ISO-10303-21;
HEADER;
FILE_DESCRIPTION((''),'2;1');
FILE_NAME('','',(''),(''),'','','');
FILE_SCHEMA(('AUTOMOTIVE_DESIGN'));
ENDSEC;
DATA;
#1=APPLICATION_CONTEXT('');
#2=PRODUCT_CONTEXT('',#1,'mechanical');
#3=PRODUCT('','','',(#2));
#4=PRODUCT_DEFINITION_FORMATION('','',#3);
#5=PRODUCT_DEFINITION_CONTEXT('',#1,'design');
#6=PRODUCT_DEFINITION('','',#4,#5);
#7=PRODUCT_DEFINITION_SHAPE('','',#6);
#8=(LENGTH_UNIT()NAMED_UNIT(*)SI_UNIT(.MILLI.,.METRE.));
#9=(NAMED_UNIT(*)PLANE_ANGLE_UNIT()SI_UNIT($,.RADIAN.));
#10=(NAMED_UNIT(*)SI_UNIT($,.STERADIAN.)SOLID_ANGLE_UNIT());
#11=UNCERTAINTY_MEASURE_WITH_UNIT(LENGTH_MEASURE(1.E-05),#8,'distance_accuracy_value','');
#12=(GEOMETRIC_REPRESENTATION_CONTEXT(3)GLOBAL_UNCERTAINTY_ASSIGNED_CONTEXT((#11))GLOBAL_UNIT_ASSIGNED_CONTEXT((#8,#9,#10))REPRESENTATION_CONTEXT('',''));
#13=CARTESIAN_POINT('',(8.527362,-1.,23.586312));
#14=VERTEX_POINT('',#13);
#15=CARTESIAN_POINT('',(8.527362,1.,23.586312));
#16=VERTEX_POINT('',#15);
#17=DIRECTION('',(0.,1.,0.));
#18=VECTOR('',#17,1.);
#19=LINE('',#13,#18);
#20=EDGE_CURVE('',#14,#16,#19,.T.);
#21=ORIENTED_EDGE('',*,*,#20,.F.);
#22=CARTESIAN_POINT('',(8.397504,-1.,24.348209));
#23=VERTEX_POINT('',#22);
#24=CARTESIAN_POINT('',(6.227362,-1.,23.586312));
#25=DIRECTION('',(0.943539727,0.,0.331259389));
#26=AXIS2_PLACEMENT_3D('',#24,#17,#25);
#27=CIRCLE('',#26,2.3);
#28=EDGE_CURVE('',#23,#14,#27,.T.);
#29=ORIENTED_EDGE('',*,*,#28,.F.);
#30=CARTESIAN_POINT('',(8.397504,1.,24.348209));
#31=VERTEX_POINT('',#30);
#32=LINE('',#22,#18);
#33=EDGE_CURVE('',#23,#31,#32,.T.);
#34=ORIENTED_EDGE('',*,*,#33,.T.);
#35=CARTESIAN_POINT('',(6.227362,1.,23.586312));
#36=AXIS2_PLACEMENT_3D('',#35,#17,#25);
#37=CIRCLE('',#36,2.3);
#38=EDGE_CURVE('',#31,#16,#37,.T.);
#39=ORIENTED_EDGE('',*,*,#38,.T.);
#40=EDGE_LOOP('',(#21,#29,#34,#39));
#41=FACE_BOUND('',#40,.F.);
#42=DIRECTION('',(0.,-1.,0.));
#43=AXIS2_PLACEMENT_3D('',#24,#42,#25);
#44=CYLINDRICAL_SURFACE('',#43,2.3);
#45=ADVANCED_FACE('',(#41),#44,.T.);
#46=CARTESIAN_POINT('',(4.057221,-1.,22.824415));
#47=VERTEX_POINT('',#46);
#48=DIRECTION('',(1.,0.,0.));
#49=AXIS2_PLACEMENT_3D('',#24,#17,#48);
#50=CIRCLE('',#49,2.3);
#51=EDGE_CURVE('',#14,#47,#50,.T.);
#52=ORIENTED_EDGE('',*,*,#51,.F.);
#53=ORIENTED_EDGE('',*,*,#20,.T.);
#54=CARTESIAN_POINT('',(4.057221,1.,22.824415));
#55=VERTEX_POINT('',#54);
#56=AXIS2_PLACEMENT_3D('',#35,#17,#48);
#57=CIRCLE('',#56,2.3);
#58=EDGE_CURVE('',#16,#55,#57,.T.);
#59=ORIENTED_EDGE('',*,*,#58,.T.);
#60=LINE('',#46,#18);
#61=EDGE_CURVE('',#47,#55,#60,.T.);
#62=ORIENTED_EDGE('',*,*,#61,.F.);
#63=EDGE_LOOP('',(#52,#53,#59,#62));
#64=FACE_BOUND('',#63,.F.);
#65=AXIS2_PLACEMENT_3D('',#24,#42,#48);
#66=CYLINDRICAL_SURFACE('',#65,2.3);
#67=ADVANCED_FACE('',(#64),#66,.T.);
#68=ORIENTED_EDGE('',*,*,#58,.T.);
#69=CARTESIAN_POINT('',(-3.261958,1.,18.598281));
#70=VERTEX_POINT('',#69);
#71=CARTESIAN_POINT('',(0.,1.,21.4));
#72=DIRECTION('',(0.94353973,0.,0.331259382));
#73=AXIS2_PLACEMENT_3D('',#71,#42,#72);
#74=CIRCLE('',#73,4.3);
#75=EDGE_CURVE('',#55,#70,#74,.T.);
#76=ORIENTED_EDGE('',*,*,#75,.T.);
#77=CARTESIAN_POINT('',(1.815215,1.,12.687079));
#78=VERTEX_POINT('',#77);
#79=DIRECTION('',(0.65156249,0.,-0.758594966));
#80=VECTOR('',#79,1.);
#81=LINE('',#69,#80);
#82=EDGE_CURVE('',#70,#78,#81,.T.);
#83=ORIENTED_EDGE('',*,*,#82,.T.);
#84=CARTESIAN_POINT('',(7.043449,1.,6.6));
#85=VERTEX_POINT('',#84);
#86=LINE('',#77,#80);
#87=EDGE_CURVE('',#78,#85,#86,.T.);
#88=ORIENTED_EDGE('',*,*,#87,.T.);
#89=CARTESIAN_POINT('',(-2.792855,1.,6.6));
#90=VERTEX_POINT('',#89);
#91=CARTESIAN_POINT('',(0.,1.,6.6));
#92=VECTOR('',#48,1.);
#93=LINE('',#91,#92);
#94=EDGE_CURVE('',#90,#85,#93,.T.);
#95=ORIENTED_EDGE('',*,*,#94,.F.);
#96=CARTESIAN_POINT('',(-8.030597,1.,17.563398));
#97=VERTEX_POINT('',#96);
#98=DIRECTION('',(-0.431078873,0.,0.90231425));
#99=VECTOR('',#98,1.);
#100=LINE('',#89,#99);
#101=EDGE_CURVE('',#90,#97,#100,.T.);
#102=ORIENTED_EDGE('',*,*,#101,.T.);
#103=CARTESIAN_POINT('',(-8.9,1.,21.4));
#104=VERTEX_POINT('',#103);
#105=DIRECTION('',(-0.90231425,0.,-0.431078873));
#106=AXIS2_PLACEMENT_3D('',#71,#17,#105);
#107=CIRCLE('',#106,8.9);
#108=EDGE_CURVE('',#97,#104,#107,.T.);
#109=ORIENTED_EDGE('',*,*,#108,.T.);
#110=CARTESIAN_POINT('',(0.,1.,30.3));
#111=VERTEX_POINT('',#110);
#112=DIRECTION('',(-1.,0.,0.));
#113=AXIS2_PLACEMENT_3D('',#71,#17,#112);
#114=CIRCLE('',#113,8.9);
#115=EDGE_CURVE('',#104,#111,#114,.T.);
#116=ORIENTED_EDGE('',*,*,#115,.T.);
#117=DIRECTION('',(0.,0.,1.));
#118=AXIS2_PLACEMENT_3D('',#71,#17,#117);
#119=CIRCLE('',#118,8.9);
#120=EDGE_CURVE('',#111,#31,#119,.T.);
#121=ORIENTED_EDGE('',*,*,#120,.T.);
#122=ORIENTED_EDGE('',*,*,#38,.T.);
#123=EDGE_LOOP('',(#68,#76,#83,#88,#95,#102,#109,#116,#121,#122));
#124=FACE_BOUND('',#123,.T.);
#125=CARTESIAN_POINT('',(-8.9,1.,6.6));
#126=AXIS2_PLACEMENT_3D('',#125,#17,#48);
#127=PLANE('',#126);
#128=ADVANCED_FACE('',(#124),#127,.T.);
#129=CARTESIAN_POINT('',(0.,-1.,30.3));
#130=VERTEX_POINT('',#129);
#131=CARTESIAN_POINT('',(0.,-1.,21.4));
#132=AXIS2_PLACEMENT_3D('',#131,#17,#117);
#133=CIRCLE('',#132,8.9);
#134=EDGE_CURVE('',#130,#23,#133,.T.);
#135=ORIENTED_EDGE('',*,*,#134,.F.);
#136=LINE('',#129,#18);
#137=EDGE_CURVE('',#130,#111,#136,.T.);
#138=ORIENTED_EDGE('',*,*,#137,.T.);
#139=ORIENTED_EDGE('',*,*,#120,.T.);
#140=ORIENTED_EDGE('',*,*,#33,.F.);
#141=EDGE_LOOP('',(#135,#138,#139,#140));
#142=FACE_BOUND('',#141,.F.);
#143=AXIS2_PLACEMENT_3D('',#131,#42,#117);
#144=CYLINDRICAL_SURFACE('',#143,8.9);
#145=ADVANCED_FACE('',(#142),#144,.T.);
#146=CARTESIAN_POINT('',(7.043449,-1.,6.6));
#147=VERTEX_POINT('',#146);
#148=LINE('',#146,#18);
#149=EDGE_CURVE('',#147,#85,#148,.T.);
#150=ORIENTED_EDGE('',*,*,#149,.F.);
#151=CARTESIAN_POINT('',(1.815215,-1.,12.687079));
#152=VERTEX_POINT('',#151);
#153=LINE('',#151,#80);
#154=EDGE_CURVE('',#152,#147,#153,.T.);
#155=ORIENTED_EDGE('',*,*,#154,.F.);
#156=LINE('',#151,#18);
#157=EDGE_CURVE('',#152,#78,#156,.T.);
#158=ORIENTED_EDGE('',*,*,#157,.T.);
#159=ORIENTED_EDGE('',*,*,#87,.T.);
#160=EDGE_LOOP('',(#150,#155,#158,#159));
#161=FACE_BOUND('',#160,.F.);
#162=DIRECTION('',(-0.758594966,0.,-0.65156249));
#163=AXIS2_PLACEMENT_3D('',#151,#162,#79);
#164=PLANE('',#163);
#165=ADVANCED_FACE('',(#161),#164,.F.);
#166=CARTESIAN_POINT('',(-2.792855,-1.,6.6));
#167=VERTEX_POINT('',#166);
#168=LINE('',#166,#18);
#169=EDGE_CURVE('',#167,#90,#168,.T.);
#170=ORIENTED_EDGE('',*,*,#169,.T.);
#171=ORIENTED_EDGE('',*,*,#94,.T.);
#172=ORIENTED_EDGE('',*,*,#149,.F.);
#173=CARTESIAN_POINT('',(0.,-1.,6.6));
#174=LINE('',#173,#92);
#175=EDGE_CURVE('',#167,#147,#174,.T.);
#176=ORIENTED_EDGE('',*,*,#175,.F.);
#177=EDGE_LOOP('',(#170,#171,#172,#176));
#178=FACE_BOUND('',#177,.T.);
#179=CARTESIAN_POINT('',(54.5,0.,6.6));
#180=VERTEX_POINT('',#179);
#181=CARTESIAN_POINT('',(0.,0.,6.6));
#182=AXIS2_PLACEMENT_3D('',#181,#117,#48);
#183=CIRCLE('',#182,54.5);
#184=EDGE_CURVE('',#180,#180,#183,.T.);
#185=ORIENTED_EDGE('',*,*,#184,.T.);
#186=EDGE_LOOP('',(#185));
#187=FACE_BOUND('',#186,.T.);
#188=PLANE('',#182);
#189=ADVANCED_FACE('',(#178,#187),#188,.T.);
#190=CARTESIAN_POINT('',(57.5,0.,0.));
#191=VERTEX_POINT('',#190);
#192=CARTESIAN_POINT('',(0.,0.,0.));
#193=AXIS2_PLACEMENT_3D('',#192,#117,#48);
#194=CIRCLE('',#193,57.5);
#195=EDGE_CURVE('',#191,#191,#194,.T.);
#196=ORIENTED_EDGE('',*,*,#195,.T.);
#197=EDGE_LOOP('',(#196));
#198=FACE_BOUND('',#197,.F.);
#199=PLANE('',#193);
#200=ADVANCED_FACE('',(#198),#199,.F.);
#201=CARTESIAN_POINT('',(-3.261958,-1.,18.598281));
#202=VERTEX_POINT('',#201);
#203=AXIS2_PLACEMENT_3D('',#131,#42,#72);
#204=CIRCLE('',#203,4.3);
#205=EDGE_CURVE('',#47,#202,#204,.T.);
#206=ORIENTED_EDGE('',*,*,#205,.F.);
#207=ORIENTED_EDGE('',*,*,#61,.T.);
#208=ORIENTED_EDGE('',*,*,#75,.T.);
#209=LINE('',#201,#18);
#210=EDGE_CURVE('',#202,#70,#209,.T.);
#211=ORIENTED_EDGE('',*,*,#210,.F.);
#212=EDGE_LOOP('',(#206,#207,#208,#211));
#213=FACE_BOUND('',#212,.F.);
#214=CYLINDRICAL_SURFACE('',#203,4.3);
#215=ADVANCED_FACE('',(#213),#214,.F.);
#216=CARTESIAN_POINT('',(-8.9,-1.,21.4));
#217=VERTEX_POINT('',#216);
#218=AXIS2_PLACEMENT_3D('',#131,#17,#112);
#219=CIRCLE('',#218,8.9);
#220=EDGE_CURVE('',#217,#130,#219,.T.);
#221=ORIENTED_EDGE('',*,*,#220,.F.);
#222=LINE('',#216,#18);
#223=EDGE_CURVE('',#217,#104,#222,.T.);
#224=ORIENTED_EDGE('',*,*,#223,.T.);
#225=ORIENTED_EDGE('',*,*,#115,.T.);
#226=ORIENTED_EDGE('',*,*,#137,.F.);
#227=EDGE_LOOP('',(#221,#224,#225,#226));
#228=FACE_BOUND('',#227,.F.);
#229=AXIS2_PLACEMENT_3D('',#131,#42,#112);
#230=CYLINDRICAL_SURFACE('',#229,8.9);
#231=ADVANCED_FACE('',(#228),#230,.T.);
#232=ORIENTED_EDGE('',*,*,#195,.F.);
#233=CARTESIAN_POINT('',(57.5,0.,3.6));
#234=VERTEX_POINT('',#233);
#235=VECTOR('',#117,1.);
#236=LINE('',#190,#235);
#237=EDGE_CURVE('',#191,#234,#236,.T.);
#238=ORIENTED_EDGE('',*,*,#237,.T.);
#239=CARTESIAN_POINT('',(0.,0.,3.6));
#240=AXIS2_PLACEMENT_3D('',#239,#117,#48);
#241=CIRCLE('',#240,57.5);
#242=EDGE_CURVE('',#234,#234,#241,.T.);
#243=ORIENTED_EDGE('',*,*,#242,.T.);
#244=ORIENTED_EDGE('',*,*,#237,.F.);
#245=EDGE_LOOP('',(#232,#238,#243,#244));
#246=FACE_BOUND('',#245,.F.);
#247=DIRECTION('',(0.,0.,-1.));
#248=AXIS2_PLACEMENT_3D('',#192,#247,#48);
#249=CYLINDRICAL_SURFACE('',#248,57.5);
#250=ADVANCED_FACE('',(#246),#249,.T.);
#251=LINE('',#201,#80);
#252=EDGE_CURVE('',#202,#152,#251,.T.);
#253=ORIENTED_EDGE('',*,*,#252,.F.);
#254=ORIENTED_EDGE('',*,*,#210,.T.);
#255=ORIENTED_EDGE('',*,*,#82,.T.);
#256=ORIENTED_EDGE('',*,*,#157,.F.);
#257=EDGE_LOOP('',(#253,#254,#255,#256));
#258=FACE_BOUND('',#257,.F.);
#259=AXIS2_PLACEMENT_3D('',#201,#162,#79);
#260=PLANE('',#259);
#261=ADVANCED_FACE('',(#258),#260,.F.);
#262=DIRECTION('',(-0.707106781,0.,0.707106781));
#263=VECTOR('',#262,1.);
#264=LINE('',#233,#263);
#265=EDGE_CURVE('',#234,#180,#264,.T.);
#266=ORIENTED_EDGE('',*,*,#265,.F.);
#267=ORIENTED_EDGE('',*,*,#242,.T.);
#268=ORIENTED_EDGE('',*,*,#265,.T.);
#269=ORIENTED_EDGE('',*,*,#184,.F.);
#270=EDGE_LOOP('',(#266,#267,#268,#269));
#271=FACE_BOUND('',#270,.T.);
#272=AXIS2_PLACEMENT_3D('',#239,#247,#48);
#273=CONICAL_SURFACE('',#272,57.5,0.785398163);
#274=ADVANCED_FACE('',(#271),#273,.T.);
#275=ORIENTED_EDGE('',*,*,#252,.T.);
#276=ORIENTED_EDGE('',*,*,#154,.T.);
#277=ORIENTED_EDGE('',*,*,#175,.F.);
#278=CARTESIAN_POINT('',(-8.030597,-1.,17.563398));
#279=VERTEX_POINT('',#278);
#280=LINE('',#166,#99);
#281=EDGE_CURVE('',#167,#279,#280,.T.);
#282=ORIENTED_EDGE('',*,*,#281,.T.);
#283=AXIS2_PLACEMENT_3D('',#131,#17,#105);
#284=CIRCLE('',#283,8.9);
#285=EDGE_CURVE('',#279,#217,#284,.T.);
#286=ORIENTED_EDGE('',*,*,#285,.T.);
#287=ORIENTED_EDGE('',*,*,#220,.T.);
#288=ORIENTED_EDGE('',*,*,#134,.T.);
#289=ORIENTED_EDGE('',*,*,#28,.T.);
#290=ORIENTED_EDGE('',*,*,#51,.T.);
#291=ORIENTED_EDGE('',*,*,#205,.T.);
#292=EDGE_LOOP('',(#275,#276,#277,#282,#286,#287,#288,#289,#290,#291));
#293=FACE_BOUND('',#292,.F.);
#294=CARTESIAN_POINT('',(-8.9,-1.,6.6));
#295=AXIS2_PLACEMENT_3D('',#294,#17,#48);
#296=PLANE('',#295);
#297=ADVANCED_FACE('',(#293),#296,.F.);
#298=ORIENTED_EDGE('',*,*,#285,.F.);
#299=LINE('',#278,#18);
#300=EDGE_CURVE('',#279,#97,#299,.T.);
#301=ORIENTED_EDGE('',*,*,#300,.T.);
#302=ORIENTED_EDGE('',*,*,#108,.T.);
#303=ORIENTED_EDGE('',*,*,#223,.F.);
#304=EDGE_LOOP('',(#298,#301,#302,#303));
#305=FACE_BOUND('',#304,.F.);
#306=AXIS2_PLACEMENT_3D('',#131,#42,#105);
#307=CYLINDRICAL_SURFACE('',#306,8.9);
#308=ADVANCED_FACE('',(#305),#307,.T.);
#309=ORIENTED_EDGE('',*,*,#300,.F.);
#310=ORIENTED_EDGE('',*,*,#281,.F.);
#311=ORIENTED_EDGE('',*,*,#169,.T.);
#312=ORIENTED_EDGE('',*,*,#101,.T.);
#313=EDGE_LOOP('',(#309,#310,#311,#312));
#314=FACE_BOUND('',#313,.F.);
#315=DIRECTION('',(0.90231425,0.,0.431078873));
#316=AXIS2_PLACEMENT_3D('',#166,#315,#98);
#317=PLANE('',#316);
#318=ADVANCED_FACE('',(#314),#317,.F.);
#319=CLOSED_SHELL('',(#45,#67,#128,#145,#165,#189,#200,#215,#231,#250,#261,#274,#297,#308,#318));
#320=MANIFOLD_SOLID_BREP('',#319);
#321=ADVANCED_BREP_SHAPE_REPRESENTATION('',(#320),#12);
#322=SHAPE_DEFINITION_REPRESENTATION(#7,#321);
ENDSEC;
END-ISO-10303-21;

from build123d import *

# Parameters (mm, degrees)
F0_R     = 57.5
F1_DEPTH = 6.6
F2_SIZE  = 3
F3_W     = 17.8
F3_H     = 2
F4_DEPTH = 23.7
F6_DEPTH = 2


with BuildPart() as f1:
    # F0 (on Top) → F1 (new body)
    with BuildSketch(Plane.XY):
        Circle(F0_R)
    extrude(amount=F1_DEPTH)

    # F2
    f2_edges = [f1.edges().sort_by_distance(p)[0] for p in [
        (-57.5, 0, 6.6),
    ]]
    chamfer(f2_edges, length=F2_SIZE)

    # F3 (on face) → F4 (join)
    with BuildSketch(Plane.XY.offset(6.6)):
        Rectangle(F3_W, F3_H)
    extrude(amount=F4_DEPTH)

    # F5 (on face) → F6 (cut, through all)
    with BuildSketch(Plane.XZ.offset(1)):
        with BuildLine():
            Line((8.9, 6.6), (8.9, 21.4))
            ThreePointArc((8.9, 21.4), (6.9052664574, 15.7850828009), (1.8152145724, 12.6870787875))
            Line((1.8152145724, 12.6870787875), (7.0434488575, 6.6))
            Line((7.0434488575, 6.6), (8.9, 6.6))
        make_face()
        with BuildLine():
            ThreePointArc((1.8152145724, 12.6870787875), (6.9052664574, 15.7850828009), (8.9, 21.4))
            ThreePointArc((8.9, 21.4), (8.7734765611, 22.8953625083), (8.3975035885, 24.3482085207))
            ThreePointArc((8.3975035885, 24.3482085207), (8.494665146, 23.9727539281), (8.5273622155, 23.5863119259))
            ThreePointArc((8.5273622155, 23.5863119259), (6.6138042116, 21.3190089943), (4.0572208384, 22.8244153427))
            ThreePointArc((4.0572208384, 22.8244153427), (4.238870699, 22.12247851), (4.3, 21.4))
            ThreePointArc((4.3, 21.4), (1.4939175147, 17.3678528723), (-3.2619583531, 18.5982812949))
            Line((-3.2619583531, 18.5982812949), (1.8152145724, 12.6870787875))
        make_face()
        with BuildLine():
            ThreePointArc((4.3, 21.4), (4.238870699, 22.12247851), (4.0572208384, 22.8244153427))
            ThreePointArc((4.0572208384, 22.8244153427), (-2.1501541462, 25.1238202356), (-3.2619583531, 18.5982812949))
            ThreePointArc((-3.2619583531, 18.5982812949), (1.4939175147, 17.3678528723), (4.3, 21.4))
        make_face()
        with BuildLine():
            ThreePointArc((8.3975035885, 24.3482085207), (8.7734765611, 22.8953625083), (8.9, 21.4))
            Line((8.9, 21.4), (8.9, 30.3))
            Line((8.9, 30.3), (0, 30.3))
            ThreePointArc((0, 30.3), (5.146403801, 28.6611657409), (8.3975035885, 24.3482085207))
        make_face()
        with BuildLine():
            ThreePointArc((-8.9, 21.4), (-6.2932503526, 27.6932503526), (0, 30.3))
            Line((0, 30.3), (-8.9, 30.3))
            Line((-8.9, 30.3), (-8.9, 21.4))
        make_face()
        with BuildLine():
            Line((-2.7928547934, 6.6), (-8.0305968219, 17.5633980289))
            ThreePointArc((-8.0305968219, 17.5633980289), (-8.6799283325, 19.4330622423), (-8.9, 21.4))
            Line((-8.9, 21.4), (-8.9, 6.6))
            Line((-8.9, 6.6), (-2.7928547934, 6.6))
        make_face()
    extrude(amount=-F6_DEPTH, mode=Mode.SUBTRACT)


solid = f1.part
